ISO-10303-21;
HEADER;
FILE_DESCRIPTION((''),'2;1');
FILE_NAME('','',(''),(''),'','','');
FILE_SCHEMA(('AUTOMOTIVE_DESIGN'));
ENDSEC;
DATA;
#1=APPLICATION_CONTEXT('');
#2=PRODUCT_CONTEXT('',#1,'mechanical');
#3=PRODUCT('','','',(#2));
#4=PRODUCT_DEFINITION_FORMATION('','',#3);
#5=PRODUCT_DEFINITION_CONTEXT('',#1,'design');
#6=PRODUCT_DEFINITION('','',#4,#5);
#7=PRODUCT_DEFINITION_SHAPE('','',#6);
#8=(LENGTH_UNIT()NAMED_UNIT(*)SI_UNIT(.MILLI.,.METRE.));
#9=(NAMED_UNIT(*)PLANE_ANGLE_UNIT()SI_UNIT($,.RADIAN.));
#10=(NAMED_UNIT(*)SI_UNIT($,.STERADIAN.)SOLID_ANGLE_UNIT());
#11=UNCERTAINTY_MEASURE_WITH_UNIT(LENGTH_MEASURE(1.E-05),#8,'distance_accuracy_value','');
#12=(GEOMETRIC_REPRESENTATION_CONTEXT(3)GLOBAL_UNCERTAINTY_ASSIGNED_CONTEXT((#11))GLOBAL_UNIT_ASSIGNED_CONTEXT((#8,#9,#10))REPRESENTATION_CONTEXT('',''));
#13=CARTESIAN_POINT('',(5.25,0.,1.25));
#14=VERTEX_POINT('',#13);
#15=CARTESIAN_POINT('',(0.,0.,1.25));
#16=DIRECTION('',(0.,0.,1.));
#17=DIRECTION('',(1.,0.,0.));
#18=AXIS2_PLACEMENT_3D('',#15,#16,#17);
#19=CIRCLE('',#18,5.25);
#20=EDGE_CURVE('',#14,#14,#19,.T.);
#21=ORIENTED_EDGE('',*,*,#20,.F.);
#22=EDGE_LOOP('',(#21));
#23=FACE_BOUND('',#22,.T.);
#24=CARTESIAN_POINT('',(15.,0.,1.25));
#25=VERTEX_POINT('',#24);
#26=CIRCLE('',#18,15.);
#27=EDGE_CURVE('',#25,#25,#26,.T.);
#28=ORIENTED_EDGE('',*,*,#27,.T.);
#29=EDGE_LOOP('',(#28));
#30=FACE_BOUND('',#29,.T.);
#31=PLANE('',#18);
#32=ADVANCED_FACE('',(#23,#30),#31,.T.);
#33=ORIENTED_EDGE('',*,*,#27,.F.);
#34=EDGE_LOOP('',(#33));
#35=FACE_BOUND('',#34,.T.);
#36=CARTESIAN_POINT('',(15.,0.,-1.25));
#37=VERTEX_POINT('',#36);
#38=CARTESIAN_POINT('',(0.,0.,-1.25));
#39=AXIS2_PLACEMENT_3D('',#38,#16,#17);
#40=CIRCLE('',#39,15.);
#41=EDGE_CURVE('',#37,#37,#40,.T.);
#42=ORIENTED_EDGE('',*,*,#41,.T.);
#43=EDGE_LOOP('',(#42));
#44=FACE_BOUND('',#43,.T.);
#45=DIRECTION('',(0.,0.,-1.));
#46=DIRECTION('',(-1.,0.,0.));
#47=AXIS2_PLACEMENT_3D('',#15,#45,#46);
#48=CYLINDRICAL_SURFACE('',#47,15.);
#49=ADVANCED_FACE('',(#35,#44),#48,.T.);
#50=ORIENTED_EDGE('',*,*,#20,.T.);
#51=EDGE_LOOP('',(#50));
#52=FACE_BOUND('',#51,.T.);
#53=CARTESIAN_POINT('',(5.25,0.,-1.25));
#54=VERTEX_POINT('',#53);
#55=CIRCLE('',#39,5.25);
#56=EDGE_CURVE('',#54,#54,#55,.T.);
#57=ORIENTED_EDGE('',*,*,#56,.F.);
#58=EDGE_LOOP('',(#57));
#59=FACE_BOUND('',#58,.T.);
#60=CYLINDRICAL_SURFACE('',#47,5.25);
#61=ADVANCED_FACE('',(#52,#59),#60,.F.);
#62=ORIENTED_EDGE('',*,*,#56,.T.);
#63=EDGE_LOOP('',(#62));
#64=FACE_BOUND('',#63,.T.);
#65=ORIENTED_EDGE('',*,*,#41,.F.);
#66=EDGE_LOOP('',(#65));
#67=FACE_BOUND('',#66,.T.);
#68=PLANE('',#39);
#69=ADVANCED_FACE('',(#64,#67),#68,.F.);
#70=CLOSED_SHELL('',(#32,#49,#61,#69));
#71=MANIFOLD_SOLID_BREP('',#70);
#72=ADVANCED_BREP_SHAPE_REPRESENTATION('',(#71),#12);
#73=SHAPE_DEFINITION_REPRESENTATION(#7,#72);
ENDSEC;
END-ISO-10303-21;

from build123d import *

# Parameters (mm, degrees)
SKETCH2_R           = 15
SKETCH2_R_2         = 5.25
BOSS_EXTRUDE1_DEPTH = 1.25


with BuildPart() as part:
    # Sketch2 → Boss-Extrude1 (new, symmetric)
    with BuildSketch(Plane.XY):
        Circle(SKETCH2_R)
        Circle(SKETCH2_R_2, mode=Mode.SUBTRACT)
    extrude(amount=BOSS_EXTRUDE1_DEPTH, both=True)


solid = part.part
